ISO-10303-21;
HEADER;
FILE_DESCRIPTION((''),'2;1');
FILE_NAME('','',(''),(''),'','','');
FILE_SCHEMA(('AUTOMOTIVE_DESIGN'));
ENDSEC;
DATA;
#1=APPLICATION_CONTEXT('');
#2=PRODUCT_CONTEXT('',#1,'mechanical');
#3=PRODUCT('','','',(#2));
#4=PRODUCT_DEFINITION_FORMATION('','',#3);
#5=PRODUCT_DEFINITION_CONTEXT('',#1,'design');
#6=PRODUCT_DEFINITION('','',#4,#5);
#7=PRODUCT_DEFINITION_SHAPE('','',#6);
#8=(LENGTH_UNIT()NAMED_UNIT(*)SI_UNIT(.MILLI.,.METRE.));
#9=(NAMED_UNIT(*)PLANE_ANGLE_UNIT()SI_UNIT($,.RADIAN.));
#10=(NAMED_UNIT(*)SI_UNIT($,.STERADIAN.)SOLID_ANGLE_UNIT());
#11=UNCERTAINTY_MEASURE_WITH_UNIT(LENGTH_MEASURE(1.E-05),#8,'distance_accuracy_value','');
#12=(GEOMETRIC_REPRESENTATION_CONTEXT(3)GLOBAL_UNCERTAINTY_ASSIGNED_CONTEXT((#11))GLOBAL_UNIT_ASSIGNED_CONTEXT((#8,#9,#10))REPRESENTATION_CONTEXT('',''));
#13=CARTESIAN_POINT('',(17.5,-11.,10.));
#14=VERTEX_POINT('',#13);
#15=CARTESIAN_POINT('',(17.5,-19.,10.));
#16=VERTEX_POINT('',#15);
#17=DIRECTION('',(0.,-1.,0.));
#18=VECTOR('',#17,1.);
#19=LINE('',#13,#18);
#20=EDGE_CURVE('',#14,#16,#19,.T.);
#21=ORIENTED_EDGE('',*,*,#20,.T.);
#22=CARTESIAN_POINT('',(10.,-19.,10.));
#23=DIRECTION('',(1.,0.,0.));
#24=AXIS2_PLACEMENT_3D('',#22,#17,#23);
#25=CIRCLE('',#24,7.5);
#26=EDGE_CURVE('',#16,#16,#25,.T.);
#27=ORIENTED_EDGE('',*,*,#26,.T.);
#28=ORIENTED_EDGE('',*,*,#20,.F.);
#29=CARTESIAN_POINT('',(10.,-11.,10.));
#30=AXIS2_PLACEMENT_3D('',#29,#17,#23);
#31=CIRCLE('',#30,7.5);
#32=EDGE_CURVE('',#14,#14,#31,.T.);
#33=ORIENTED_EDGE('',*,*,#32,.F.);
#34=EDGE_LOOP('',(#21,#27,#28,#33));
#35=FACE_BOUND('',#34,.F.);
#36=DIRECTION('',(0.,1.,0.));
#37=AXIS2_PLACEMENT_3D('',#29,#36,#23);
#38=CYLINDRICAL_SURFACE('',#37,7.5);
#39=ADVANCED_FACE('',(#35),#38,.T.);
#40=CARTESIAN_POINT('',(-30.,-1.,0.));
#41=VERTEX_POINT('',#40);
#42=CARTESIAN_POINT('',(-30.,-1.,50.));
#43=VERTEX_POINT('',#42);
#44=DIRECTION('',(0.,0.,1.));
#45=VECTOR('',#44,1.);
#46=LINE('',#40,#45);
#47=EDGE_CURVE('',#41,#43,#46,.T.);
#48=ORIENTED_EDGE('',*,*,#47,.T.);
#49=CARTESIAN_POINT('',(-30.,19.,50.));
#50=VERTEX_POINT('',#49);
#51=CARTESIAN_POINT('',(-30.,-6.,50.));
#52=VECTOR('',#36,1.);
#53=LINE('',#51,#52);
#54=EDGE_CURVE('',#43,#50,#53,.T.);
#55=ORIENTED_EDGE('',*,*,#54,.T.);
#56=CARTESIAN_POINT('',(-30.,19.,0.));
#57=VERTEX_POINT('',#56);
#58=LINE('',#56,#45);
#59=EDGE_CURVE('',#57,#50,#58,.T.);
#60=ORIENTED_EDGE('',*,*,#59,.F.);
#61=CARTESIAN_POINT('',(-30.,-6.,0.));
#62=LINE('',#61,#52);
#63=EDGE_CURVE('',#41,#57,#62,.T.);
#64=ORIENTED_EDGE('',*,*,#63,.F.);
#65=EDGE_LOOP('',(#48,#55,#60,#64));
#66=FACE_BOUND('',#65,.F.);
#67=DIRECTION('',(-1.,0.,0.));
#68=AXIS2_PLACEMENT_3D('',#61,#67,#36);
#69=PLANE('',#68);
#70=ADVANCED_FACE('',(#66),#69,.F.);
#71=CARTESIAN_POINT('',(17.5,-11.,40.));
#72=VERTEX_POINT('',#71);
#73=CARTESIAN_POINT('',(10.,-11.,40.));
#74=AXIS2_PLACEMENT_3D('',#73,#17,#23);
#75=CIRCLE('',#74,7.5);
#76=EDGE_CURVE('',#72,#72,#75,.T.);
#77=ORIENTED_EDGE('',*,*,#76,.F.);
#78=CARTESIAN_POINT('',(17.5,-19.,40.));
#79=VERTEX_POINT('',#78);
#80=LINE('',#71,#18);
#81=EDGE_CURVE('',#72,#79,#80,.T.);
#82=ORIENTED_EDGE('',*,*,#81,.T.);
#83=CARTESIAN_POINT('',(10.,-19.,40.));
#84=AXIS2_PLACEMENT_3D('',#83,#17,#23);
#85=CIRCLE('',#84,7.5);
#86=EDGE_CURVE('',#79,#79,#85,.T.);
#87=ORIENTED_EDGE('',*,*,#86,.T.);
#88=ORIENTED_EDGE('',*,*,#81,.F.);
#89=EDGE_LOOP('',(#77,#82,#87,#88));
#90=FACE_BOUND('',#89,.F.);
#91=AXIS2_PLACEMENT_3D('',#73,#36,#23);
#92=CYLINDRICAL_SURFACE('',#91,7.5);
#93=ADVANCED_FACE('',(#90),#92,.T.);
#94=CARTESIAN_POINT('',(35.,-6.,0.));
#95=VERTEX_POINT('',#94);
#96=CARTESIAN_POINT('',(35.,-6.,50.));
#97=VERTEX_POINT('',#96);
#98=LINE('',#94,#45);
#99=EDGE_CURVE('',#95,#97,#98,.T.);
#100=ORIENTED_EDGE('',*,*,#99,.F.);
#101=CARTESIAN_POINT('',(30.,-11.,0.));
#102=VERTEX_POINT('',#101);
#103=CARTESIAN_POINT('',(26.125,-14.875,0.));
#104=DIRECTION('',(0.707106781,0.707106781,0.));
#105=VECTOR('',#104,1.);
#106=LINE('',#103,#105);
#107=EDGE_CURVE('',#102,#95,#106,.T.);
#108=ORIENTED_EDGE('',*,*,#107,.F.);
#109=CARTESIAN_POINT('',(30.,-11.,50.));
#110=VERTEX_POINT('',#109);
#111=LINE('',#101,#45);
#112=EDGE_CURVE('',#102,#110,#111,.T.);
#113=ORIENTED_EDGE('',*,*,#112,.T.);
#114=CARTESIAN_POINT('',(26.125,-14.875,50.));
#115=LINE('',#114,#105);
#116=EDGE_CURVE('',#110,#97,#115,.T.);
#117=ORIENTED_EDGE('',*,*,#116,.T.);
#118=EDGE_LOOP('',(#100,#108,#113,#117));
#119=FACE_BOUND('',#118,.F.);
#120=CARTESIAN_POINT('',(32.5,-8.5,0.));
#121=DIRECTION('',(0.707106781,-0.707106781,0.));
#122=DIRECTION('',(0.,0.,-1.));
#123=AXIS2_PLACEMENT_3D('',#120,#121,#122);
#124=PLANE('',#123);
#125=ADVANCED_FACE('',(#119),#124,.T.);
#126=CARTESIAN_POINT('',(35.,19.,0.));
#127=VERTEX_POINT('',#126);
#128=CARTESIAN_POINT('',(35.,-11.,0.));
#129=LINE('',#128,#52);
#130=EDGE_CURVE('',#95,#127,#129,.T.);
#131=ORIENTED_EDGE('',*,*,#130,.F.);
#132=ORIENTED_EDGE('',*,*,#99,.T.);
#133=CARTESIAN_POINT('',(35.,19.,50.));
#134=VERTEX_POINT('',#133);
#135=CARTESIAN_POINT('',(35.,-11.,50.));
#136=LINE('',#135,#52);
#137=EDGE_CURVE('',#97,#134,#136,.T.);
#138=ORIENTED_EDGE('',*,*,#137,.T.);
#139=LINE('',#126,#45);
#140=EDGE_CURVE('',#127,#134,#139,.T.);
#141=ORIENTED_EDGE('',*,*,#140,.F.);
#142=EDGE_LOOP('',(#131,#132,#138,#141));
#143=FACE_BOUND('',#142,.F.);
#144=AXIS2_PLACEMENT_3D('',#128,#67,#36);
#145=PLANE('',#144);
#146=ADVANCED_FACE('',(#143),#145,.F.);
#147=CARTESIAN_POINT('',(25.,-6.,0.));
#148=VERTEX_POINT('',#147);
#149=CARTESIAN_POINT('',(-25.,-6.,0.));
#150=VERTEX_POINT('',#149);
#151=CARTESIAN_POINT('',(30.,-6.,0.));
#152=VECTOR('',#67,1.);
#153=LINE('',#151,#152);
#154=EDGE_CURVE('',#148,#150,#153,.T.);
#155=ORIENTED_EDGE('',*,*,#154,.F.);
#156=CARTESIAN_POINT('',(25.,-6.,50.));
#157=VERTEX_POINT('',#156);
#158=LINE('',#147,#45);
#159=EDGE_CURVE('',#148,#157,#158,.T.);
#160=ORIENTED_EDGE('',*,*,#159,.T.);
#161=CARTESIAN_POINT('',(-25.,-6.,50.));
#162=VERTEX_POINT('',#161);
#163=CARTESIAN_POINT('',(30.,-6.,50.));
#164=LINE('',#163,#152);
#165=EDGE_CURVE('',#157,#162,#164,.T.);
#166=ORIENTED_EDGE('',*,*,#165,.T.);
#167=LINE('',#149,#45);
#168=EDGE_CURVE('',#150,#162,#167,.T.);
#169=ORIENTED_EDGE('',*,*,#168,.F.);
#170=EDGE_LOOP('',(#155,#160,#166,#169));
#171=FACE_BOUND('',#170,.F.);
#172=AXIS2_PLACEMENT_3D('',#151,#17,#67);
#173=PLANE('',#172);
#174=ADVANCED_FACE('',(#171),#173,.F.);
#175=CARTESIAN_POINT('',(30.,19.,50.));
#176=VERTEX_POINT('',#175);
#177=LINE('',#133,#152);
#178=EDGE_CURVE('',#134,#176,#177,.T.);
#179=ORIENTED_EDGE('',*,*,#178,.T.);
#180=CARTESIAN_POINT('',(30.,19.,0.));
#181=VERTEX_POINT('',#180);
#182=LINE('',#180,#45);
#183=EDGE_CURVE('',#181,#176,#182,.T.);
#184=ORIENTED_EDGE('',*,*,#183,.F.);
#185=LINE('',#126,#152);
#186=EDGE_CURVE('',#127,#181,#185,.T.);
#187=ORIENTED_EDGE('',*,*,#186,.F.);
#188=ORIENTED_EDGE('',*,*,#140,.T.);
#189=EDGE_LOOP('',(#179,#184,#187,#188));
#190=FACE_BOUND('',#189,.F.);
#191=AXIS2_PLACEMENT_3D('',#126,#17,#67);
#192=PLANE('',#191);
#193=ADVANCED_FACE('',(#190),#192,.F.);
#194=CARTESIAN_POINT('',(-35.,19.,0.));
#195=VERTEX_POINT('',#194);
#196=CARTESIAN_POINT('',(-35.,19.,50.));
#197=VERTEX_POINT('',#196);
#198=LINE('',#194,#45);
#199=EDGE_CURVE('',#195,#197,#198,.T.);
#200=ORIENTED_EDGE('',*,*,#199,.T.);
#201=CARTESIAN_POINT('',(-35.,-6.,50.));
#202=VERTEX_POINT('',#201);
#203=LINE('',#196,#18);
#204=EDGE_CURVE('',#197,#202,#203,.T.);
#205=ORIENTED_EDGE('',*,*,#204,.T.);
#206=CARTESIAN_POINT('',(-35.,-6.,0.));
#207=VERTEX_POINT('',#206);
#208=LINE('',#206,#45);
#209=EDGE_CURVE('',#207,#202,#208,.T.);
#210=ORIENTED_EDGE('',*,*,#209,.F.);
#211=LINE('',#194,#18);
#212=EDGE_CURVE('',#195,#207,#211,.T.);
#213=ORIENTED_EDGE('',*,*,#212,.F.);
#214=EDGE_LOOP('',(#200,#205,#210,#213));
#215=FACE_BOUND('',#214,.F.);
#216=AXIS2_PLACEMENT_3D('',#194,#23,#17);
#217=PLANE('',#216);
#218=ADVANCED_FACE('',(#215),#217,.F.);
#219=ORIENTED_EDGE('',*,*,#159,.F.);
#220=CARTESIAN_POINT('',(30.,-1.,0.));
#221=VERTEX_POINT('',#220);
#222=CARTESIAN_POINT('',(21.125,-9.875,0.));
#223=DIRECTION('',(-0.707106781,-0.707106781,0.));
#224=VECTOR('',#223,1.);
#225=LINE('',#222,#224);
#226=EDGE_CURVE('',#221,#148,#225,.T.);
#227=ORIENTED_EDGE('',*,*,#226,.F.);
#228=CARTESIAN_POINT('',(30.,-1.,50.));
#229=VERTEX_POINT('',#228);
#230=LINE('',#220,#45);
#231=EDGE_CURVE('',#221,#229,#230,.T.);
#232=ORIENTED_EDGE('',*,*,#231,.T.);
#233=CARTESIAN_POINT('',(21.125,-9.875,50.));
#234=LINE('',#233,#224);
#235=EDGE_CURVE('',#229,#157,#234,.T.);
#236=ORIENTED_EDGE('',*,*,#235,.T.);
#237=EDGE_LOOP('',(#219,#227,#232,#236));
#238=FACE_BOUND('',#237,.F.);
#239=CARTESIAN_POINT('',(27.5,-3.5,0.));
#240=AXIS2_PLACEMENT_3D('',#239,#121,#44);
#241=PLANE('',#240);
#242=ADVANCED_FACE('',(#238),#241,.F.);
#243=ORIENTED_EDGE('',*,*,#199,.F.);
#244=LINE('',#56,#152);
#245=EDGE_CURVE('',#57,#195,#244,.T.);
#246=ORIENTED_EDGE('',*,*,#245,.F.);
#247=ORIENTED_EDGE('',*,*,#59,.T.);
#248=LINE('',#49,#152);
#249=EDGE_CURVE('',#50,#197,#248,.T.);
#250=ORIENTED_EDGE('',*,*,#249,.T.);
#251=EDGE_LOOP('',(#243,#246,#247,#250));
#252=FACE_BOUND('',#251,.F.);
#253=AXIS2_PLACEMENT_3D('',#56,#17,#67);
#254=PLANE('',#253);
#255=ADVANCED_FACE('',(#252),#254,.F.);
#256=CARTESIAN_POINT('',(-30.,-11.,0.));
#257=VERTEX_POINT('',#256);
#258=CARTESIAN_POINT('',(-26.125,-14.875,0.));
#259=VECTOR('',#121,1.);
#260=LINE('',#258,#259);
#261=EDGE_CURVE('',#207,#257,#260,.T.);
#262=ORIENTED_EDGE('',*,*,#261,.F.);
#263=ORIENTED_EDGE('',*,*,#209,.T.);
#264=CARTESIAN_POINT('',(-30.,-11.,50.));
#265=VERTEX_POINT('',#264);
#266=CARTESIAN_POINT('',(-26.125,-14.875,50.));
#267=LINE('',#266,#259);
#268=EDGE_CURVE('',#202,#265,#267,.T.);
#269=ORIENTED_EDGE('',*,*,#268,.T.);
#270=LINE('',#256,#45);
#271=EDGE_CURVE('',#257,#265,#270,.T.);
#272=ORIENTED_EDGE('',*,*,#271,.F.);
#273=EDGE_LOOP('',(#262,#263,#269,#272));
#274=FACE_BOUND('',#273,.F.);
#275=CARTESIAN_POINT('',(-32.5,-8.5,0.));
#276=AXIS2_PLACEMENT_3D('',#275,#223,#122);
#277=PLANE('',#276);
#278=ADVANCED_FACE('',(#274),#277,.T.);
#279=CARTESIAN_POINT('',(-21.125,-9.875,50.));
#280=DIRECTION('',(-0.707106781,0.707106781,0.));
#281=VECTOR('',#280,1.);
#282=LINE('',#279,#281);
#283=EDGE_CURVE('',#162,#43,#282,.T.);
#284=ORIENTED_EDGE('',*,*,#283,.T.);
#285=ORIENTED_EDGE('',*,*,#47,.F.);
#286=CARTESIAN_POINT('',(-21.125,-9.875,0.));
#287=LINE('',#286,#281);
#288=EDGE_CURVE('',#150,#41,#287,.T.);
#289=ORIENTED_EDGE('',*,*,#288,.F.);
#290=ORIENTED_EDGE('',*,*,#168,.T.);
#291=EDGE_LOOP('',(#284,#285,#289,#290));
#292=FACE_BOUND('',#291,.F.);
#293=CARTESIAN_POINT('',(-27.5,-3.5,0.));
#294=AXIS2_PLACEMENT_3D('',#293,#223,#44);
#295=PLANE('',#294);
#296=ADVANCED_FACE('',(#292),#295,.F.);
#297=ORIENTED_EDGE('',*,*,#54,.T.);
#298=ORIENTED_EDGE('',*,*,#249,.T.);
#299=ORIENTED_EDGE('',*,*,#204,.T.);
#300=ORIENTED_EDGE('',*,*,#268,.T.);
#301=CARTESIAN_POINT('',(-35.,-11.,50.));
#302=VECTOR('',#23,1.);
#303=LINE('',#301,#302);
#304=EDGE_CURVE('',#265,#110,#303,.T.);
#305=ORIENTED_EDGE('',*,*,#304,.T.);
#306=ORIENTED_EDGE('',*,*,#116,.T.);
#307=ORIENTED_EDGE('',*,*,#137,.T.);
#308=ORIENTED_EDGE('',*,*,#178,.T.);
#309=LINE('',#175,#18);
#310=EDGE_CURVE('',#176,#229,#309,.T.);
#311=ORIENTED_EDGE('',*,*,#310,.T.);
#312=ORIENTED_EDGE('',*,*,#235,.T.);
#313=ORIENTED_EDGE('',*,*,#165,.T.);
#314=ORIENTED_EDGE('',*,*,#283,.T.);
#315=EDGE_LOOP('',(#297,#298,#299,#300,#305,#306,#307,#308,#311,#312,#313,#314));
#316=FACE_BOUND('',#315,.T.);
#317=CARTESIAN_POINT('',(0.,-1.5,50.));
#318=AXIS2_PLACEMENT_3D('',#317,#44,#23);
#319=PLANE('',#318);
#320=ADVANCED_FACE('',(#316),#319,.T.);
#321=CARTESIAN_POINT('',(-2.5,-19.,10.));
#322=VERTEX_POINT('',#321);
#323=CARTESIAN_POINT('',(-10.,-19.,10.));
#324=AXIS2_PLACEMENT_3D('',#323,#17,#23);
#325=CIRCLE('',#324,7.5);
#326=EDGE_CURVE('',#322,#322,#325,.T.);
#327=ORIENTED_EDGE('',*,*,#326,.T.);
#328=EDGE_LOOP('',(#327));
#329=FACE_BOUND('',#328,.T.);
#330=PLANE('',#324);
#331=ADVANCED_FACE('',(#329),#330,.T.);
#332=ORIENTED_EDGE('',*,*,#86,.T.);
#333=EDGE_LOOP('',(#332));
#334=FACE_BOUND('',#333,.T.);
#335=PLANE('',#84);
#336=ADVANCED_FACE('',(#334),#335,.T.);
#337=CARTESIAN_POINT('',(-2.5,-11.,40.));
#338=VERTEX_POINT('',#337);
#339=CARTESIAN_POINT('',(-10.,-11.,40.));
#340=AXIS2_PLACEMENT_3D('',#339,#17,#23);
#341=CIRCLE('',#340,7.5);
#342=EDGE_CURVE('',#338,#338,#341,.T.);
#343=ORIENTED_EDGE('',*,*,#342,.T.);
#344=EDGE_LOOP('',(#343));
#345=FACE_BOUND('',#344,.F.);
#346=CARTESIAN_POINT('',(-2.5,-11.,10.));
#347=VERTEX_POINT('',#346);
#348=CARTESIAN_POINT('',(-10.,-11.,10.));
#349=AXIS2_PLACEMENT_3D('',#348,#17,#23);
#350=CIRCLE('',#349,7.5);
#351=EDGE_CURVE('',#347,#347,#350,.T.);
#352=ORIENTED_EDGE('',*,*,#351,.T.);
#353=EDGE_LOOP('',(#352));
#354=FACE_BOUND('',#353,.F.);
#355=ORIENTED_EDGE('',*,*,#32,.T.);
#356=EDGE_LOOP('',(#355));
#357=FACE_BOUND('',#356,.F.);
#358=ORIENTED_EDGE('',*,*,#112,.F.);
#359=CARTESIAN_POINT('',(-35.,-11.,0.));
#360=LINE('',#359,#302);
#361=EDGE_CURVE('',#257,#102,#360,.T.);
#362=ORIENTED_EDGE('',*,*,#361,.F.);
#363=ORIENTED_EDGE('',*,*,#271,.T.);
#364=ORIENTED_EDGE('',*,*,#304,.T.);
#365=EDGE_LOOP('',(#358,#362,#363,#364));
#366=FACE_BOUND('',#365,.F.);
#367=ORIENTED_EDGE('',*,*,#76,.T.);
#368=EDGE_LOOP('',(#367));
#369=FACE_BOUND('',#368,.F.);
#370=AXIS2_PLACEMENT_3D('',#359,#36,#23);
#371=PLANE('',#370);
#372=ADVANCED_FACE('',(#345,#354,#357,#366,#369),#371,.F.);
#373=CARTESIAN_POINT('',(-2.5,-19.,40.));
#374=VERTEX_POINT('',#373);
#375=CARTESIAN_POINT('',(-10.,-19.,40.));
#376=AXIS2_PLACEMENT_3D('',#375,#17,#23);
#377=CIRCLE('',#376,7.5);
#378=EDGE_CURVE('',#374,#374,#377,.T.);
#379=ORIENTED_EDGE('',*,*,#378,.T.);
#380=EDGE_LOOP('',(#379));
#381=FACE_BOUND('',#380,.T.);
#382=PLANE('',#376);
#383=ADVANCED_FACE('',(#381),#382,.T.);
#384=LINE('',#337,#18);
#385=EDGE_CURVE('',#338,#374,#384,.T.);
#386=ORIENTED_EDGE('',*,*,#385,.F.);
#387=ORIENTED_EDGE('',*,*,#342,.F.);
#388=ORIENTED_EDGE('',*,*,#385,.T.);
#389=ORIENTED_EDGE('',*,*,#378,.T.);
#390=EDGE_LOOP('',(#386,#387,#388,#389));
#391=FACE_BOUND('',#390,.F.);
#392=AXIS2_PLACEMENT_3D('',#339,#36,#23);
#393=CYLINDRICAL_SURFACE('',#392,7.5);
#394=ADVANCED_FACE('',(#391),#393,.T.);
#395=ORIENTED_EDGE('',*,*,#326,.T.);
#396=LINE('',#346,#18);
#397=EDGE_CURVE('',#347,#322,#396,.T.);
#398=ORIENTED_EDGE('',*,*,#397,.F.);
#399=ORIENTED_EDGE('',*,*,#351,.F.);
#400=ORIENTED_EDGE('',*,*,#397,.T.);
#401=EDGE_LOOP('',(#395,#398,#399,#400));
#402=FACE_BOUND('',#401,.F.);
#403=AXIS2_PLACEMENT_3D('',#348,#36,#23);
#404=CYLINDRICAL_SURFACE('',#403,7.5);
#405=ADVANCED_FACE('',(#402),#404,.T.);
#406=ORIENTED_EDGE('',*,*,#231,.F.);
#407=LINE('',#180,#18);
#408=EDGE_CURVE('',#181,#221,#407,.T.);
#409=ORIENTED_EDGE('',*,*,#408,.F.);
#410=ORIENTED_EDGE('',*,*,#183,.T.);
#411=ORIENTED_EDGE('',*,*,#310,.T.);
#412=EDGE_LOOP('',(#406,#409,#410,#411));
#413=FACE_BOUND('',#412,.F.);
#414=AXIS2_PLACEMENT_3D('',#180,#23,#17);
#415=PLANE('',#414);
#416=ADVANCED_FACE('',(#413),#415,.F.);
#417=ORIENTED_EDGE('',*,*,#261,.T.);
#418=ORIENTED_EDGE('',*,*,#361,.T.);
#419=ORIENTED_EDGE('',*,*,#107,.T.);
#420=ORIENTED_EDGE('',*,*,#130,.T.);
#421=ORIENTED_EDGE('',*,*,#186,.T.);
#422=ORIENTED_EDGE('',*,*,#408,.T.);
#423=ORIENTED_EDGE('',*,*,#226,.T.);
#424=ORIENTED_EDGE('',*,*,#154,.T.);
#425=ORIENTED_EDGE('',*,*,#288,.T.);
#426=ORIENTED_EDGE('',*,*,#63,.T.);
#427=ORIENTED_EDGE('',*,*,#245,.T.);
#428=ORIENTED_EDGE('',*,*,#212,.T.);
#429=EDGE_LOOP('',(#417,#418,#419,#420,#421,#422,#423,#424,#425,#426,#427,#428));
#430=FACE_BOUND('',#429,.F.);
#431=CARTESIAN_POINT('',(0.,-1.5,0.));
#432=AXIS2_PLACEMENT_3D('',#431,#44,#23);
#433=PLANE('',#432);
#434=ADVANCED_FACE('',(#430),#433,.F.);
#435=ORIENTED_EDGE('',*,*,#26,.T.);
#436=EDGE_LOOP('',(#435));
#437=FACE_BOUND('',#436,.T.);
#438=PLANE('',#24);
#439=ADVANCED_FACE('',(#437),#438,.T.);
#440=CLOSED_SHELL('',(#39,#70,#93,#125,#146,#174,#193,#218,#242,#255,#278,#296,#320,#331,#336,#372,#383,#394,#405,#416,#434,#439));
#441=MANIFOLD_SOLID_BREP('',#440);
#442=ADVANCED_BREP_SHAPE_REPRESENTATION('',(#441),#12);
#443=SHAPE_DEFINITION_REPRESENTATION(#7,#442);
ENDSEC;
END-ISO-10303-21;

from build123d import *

# Parameters (mm, degrees)
F1_DEPTH = 50
F2_SIZE  = 5
F3_R     = 7.5
F4_DEPTH = 8


with BuildPart() as f1:
    # F0 (on Top) → F1 (new body)
    with BuildSketch(Plane.XY):
        Polygon((-30, 19), (-35, 19), (-35, -11), (0, -11), (35, -11), (35, 19), (30, 19), (30, -6), (0, -6), (-30, -6), align=None)
    extrude(amount=F1_DEPTH)

    # F2
    f2_edges = [f1.edges().sort_by_distance(p)[0] for p in [
        (-30, -6, 25),
        (30, -6, 25),
        (-35, -11, 25),
        (35, -11, 25),
    ]]
    chamfer(f2_edges, length=F2_SIZE)

    # F3 (on face) → F4 (join)
    with BuildSketch(Plane.XZ.offset(11)):
        with Locations((-10, 40)):
            Circle(F3_R)
        with Locations((-10, 10)):
            Circle(F3_R)
        with Locations((10, 40)):
            Circle(F3_R)
        with Locations((10, 10)):
            Circle(F3_R)
    extrude(amount=F4_DEPTH)


solid = f1.part
